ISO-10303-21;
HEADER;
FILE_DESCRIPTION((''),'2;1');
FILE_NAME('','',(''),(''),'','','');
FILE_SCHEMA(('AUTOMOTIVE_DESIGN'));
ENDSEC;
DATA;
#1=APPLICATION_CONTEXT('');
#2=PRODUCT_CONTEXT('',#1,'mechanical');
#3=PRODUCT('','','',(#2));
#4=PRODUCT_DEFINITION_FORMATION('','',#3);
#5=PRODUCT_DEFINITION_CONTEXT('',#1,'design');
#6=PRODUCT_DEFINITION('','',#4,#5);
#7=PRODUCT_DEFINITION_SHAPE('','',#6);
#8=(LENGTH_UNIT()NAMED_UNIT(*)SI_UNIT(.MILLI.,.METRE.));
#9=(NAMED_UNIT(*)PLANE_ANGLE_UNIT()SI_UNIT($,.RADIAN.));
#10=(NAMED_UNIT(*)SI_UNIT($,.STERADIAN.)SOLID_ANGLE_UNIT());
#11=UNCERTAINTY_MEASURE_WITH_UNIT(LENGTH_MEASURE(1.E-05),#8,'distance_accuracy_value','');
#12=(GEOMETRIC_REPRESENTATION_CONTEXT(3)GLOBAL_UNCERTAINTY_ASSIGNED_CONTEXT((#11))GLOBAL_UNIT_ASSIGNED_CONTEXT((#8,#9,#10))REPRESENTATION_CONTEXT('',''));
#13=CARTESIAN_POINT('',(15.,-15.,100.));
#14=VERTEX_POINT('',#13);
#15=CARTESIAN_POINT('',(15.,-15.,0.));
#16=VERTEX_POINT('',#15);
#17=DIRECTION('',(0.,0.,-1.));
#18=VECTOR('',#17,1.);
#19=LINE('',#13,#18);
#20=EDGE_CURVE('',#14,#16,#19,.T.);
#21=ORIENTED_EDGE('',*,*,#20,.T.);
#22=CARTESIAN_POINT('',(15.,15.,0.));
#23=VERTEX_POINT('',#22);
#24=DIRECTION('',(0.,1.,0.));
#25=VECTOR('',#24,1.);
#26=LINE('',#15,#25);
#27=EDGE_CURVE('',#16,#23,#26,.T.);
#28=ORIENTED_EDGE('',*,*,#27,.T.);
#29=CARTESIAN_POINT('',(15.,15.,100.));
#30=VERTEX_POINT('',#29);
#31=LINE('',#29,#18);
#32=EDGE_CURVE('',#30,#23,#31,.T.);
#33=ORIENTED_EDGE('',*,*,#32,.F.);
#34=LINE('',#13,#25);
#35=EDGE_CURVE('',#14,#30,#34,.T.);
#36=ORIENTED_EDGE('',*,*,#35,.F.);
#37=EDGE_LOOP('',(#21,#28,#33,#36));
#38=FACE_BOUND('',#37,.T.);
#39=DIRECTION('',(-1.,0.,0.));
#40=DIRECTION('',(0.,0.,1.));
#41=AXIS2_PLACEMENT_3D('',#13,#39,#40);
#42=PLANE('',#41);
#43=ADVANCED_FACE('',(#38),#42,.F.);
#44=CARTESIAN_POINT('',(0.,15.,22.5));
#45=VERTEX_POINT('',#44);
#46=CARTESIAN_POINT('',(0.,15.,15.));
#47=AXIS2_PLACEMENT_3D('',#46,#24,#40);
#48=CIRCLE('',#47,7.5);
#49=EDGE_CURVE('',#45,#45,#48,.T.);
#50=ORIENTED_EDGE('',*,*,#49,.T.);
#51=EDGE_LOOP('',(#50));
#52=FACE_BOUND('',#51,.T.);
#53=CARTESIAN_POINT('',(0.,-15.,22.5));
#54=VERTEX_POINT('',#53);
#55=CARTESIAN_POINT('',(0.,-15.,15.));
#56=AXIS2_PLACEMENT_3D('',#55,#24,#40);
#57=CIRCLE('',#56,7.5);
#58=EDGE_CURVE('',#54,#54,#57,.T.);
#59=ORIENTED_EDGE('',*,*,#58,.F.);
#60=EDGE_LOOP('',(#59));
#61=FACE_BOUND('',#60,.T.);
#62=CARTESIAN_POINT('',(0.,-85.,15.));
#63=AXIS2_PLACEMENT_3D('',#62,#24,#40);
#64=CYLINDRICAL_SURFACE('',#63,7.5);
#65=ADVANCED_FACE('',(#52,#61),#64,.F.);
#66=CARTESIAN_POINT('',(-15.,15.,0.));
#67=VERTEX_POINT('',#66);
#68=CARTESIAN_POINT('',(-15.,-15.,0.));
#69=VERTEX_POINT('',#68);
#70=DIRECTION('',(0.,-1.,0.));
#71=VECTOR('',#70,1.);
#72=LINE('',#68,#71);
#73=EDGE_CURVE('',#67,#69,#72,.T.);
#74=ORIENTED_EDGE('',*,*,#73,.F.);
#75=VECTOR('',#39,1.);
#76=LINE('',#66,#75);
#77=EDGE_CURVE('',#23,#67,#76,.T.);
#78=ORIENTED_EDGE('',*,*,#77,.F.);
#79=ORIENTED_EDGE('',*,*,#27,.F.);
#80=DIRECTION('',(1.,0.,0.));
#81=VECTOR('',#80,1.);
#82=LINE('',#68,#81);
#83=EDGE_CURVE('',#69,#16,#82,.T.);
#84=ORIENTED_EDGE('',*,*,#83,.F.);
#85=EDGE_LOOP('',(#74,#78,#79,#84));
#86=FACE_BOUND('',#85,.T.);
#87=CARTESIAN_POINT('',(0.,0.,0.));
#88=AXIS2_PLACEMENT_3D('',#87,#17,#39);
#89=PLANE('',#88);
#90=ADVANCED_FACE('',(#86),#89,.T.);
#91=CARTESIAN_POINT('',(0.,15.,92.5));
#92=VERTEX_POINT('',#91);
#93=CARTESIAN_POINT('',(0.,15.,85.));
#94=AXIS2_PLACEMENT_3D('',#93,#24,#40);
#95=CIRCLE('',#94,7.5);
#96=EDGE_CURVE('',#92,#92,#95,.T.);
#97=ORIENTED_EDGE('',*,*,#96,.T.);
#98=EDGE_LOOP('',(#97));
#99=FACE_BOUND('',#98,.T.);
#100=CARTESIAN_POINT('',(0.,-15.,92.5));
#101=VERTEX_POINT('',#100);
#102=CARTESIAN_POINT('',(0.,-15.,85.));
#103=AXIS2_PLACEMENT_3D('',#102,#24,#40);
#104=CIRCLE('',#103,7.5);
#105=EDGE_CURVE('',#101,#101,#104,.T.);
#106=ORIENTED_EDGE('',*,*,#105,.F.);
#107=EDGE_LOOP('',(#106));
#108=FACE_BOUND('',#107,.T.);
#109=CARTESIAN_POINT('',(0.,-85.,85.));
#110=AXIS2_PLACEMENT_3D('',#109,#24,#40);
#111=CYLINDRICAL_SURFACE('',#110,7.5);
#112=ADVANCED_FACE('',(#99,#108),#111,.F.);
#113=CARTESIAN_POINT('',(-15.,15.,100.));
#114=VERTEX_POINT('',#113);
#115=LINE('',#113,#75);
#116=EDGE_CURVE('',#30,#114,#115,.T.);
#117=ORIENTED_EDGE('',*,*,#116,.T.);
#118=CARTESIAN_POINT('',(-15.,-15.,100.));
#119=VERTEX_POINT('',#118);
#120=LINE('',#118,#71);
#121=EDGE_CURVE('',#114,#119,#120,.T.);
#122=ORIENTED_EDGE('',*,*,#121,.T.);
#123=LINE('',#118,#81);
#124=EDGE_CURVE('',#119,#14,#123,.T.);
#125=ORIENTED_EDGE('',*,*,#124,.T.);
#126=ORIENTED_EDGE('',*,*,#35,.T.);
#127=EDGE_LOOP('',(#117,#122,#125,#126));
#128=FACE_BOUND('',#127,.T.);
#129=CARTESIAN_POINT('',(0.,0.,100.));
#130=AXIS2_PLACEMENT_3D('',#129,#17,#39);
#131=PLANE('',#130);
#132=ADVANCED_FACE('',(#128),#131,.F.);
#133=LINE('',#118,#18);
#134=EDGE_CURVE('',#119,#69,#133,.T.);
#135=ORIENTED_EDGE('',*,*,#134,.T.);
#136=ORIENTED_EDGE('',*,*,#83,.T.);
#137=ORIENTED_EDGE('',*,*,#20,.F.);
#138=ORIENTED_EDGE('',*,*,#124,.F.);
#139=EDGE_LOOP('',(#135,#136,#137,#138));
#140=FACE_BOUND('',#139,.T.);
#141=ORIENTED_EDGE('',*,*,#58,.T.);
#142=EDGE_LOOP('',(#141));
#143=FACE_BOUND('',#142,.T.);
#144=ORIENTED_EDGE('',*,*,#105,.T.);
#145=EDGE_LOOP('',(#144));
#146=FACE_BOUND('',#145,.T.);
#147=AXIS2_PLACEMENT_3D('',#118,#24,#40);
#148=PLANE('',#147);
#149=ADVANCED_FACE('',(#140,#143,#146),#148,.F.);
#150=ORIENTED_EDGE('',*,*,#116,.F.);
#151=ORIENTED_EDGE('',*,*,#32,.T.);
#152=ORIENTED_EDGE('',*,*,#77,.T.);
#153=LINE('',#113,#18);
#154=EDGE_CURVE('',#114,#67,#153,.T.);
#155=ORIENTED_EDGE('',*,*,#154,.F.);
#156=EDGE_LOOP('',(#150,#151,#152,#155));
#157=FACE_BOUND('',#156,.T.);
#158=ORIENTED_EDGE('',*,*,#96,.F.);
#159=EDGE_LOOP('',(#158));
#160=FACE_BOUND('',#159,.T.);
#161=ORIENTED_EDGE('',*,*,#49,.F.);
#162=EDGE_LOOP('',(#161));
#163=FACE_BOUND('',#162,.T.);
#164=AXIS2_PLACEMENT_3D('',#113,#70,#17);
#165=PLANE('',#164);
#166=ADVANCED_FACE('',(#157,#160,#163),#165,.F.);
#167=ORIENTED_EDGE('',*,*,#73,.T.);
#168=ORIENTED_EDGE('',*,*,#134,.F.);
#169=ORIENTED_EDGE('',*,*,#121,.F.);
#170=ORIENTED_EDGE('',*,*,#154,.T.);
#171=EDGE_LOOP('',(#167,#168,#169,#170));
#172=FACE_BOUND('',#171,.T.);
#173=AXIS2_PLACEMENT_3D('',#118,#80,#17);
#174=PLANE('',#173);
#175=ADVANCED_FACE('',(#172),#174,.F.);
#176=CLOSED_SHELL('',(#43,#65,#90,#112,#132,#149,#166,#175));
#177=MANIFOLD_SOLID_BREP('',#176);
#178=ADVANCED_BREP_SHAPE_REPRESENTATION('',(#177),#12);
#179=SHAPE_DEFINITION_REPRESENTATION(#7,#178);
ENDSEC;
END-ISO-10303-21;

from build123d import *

# Parameters (mm, degrees)
SKETCH1_W           = 30
SKETCH1_H           = 30
BOSS_EXTRUDE1_DEPTH = 100
SKETCH2_R           = 7.5
CUT_EXTRUDE1_DEPTH  = 100


with BuildPart() as part:
    # Sketch1 → Boss-Extrude1 (new body)
    with BuildSketch(Plane.XY):
        Rectangle(SKETCH1_W, SKETCH1_H)
    extrude(amount=BOSS_EXTRUDE1_DEPTH)

    # Sketch2 → Cut-Extrude1 (cut)
    with BuildSketch(Plane(origin=(0, 15, 0), x_dir=(1, 0, 0), z_dir=(0, 1, 0))):
        with Locations(Location((0, -15, 0), (0, 0, 270))):
            Circle(SKETCH2_R)
        with Locations(Location((0, -85, 0), (0, 0, 270))):
            Circle(SKETCH2_R)
    extrude(amount=-CUT_EXTRUDE1_DEPTH, mode=Mode.SUBTRACT)


solid = part.part
